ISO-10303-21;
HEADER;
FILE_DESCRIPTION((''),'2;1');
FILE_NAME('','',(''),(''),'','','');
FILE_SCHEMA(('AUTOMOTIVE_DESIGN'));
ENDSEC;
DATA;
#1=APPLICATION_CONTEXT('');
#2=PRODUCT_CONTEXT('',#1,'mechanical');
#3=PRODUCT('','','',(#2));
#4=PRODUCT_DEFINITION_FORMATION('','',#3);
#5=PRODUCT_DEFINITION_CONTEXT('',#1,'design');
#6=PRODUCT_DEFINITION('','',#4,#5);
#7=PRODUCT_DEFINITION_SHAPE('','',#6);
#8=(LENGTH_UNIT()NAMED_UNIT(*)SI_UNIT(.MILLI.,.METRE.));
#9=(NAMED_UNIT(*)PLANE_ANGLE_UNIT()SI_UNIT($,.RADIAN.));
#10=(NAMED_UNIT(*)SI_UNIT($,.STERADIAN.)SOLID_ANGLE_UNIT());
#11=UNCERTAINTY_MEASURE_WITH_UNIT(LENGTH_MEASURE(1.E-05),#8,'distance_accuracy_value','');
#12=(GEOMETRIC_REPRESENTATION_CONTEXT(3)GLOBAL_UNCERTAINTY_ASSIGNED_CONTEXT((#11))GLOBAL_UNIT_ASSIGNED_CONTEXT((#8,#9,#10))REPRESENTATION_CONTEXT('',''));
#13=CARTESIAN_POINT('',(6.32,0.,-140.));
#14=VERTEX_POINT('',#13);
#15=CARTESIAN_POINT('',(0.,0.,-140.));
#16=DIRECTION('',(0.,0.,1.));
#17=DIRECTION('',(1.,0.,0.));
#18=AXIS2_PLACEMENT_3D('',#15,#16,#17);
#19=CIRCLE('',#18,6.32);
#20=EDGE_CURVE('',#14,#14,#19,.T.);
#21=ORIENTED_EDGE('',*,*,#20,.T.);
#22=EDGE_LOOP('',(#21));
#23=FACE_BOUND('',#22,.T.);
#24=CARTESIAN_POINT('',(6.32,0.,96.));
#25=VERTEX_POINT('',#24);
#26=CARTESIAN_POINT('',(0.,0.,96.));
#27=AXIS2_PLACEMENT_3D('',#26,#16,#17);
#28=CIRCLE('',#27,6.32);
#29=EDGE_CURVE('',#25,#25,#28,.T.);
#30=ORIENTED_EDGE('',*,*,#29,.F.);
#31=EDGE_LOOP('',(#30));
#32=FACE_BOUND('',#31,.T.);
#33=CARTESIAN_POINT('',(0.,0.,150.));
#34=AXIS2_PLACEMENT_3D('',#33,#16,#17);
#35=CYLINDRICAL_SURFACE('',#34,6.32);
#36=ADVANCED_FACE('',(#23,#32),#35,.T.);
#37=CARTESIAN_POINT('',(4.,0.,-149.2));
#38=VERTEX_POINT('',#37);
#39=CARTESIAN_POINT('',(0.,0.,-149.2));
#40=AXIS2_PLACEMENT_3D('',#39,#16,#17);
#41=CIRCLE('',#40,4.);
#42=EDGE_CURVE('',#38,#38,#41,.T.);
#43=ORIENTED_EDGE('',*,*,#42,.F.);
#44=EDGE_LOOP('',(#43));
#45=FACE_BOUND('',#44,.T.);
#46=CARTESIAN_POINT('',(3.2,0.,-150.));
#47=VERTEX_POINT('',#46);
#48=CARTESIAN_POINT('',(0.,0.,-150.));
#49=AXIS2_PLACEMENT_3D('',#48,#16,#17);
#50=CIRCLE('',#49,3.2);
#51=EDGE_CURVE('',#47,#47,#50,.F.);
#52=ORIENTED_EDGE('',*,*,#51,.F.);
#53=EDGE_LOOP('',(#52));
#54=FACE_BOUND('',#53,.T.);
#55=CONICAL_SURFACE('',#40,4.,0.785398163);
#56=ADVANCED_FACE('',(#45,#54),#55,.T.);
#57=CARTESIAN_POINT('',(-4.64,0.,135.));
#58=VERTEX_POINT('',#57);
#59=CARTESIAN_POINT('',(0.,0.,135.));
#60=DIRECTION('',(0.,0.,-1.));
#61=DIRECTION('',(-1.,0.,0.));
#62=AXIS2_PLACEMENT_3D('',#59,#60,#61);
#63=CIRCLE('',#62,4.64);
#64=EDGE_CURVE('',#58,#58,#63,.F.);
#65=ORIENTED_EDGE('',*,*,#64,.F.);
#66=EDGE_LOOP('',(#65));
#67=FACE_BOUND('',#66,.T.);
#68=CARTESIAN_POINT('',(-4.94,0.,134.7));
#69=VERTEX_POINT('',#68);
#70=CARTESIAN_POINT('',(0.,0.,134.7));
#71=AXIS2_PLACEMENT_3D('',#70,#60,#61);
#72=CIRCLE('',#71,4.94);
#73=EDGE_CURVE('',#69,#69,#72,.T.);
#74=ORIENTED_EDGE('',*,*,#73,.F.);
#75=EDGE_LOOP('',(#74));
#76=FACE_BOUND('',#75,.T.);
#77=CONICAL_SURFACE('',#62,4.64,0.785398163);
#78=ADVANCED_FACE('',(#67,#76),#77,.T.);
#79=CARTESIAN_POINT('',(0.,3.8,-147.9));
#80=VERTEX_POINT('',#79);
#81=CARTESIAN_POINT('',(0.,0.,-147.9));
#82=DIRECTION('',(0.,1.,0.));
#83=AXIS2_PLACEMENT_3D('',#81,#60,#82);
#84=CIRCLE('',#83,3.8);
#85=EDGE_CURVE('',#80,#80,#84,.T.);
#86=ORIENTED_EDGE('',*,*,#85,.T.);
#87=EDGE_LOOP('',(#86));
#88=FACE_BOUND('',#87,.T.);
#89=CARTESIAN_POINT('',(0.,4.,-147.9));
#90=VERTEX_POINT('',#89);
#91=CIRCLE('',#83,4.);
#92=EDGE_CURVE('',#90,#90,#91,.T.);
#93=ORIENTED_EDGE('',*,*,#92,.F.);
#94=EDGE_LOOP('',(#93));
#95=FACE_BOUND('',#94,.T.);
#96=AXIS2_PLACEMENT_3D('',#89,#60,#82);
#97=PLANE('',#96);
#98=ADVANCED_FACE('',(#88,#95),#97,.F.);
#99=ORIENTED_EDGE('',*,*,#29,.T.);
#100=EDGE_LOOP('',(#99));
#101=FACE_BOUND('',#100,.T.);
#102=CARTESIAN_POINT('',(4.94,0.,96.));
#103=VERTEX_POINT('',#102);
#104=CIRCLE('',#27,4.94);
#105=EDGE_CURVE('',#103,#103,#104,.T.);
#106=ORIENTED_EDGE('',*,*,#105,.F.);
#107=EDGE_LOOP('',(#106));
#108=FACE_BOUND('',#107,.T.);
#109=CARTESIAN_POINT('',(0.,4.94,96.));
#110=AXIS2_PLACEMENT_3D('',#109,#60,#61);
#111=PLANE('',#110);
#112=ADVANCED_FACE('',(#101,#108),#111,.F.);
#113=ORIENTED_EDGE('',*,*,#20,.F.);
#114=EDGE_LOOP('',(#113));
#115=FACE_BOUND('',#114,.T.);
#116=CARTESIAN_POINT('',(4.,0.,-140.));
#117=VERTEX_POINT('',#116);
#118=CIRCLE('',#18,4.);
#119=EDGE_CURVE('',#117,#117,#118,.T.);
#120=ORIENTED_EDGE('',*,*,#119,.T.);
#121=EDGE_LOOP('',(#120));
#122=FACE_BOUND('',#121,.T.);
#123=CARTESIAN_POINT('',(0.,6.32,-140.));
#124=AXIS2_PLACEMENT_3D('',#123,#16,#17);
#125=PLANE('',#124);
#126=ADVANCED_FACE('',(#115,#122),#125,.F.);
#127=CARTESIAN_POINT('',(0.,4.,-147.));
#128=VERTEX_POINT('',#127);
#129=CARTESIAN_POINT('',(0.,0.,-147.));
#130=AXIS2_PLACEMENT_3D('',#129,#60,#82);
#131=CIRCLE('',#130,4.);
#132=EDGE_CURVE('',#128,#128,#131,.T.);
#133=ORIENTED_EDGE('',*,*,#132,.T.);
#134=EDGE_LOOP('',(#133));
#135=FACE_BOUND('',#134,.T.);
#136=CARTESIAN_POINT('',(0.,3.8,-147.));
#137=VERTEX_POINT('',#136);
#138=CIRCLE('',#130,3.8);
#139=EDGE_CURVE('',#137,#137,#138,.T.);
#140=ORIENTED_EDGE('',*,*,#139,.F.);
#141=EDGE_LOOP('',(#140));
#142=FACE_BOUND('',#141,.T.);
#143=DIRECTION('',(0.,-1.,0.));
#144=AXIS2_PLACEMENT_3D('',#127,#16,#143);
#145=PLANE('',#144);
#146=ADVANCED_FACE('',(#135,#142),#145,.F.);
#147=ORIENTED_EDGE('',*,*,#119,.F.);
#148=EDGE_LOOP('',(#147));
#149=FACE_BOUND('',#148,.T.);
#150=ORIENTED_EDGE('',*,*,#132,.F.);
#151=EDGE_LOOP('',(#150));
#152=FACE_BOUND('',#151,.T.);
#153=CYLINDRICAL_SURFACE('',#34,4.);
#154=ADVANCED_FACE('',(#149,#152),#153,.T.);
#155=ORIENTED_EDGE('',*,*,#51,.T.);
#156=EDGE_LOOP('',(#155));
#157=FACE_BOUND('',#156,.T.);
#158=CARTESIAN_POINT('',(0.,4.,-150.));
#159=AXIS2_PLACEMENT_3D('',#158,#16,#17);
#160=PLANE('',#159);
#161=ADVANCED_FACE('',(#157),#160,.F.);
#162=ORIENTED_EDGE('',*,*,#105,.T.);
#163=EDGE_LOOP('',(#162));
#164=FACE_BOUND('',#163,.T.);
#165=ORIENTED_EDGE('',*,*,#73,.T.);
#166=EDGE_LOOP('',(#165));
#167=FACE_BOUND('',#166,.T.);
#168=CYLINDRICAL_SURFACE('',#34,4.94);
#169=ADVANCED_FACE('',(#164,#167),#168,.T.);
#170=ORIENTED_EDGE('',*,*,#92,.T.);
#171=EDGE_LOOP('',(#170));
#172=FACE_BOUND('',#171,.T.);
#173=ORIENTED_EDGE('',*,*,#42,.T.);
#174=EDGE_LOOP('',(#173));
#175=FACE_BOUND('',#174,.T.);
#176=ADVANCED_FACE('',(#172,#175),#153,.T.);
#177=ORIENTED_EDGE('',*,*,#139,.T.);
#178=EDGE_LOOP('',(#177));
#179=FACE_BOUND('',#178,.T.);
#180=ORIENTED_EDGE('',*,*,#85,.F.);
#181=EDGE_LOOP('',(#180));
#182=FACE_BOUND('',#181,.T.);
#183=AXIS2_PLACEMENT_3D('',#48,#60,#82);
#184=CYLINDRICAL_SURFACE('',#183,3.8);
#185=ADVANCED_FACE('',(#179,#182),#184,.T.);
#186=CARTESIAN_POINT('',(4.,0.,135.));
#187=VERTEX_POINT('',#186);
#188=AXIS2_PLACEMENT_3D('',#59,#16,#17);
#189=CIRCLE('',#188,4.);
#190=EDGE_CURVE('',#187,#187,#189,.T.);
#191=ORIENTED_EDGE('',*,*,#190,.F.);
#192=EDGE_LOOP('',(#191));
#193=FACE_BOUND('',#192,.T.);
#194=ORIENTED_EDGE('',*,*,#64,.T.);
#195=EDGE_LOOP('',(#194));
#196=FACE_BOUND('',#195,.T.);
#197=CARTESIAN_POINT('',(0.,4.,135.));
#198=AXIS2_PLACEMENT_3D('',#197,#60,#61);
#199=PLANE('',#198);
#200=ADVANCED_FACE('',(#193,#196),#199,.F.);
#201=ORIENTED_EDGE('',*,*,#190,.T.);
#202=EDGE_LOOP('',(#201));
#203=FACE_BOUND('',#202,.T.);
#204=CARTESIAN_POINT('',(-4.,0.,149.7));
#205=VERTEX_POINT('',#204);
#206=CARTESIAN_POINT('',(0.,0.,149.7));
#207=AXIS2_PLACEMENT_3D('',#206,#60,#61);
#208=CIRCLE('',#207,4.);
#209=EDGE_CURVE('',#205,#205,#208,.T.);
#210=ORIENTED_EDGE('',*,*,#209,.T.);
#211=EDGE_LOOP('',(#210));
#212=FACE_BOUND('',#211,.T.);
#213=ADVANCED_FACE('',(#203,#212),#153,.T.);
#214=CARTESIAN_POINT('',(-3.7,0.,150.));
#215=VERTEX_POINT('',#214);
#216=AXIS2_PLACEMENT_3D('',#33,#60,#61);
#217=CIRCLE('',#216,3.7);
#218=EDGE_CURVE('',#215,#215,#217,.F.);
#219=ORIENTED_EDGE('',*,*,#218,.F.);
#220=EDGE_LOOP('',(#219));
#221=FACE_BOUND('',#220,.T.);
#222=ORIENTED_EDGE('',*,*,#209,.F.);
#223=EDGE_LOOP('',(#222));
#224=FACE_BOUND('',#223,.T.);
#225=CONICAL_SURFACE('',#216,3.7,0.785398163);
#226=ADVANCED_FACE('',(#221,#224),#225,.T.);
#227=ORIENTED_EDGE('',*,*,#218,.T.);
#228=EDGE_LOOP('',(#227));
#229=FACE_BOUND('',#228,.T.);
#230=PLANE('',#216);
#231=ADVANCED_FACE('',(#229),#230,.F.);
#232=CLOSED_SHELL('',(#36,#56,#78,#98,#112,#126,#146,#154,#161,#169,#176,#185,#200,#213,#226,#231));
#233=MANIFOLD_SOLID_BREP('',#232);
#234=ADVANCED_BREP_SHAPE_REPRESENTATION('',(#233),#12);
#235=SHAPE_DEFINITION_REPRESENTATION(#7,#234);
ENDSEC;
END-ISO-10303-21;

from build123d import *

# Parameters (mm, degrees)
SKETCH2_W     = 0.9
SKETCH2_H     = 0.2
CHAMFER1_SIZE = 0.8
CHAMFER2_SIZE = 0.3


with BuildPart() as part:
    # Sketch1 → Revolve1 (revolve)
    with BuildSketch(Plane(origin=(0, 0, 0), x_dir=(0, 0, -1), z_dir=(1, 0, 0)), mode=Mode.PRIVATE) as revolve1_sk:
        Polygon((-150, 0), (150, 0), (150, 4), (140, 4), (140, 6.32), (-96, 6.32), (-96, 4.94), (-135, 4.94), (-135, 4), (-150, 4), align=None)
    revolve(revolve1_sk.sketch.rotate(Axis((0, 0, 150), (0, 0, -1)), 90), axis=Axis((0, 0, 150), (0, 0, -1)))

    # Sketch2 → Cut-Revolve1 (revolve, cut)
    with BuildSketch(Plane(origin=(0, 0, 0), x_dir=(0, 0, -1), z_dir=(1, 0, 0)), mode=Mode.PRIVATE) as cut_revolve1_sk:
        with Locations((147.45, 3.9)):
            Rectangle(SKETCH2_W, SKETCH2_H)
    revolve(cut_revolve1_sk.sketch.rotate(Axis((0, 0, -150), (0, 0, 1)), 270), axis=Axis((0, 0, -150), (0, 0, 1)), mode=Mode.SUBTRACT)

    # Chamfer1
    chamfer1_edges = [part.edges().sort_by_distance(p)[0] for p in [
        (-4, 0, -150),
    ]]
    chamfer(chamfer1_edges, length=CHAMFER1_SIZE)

    # Chamfer2
    chamfer2_edges = [part.edges().sort_by_distance(p)[0] for p in [
        (-4.94, 0, 135),
        (-4, 0, 150),
    ]]
    chamfer(chamfer2_edges, length=CHAMFER2_SIZE)


solid = part.part
